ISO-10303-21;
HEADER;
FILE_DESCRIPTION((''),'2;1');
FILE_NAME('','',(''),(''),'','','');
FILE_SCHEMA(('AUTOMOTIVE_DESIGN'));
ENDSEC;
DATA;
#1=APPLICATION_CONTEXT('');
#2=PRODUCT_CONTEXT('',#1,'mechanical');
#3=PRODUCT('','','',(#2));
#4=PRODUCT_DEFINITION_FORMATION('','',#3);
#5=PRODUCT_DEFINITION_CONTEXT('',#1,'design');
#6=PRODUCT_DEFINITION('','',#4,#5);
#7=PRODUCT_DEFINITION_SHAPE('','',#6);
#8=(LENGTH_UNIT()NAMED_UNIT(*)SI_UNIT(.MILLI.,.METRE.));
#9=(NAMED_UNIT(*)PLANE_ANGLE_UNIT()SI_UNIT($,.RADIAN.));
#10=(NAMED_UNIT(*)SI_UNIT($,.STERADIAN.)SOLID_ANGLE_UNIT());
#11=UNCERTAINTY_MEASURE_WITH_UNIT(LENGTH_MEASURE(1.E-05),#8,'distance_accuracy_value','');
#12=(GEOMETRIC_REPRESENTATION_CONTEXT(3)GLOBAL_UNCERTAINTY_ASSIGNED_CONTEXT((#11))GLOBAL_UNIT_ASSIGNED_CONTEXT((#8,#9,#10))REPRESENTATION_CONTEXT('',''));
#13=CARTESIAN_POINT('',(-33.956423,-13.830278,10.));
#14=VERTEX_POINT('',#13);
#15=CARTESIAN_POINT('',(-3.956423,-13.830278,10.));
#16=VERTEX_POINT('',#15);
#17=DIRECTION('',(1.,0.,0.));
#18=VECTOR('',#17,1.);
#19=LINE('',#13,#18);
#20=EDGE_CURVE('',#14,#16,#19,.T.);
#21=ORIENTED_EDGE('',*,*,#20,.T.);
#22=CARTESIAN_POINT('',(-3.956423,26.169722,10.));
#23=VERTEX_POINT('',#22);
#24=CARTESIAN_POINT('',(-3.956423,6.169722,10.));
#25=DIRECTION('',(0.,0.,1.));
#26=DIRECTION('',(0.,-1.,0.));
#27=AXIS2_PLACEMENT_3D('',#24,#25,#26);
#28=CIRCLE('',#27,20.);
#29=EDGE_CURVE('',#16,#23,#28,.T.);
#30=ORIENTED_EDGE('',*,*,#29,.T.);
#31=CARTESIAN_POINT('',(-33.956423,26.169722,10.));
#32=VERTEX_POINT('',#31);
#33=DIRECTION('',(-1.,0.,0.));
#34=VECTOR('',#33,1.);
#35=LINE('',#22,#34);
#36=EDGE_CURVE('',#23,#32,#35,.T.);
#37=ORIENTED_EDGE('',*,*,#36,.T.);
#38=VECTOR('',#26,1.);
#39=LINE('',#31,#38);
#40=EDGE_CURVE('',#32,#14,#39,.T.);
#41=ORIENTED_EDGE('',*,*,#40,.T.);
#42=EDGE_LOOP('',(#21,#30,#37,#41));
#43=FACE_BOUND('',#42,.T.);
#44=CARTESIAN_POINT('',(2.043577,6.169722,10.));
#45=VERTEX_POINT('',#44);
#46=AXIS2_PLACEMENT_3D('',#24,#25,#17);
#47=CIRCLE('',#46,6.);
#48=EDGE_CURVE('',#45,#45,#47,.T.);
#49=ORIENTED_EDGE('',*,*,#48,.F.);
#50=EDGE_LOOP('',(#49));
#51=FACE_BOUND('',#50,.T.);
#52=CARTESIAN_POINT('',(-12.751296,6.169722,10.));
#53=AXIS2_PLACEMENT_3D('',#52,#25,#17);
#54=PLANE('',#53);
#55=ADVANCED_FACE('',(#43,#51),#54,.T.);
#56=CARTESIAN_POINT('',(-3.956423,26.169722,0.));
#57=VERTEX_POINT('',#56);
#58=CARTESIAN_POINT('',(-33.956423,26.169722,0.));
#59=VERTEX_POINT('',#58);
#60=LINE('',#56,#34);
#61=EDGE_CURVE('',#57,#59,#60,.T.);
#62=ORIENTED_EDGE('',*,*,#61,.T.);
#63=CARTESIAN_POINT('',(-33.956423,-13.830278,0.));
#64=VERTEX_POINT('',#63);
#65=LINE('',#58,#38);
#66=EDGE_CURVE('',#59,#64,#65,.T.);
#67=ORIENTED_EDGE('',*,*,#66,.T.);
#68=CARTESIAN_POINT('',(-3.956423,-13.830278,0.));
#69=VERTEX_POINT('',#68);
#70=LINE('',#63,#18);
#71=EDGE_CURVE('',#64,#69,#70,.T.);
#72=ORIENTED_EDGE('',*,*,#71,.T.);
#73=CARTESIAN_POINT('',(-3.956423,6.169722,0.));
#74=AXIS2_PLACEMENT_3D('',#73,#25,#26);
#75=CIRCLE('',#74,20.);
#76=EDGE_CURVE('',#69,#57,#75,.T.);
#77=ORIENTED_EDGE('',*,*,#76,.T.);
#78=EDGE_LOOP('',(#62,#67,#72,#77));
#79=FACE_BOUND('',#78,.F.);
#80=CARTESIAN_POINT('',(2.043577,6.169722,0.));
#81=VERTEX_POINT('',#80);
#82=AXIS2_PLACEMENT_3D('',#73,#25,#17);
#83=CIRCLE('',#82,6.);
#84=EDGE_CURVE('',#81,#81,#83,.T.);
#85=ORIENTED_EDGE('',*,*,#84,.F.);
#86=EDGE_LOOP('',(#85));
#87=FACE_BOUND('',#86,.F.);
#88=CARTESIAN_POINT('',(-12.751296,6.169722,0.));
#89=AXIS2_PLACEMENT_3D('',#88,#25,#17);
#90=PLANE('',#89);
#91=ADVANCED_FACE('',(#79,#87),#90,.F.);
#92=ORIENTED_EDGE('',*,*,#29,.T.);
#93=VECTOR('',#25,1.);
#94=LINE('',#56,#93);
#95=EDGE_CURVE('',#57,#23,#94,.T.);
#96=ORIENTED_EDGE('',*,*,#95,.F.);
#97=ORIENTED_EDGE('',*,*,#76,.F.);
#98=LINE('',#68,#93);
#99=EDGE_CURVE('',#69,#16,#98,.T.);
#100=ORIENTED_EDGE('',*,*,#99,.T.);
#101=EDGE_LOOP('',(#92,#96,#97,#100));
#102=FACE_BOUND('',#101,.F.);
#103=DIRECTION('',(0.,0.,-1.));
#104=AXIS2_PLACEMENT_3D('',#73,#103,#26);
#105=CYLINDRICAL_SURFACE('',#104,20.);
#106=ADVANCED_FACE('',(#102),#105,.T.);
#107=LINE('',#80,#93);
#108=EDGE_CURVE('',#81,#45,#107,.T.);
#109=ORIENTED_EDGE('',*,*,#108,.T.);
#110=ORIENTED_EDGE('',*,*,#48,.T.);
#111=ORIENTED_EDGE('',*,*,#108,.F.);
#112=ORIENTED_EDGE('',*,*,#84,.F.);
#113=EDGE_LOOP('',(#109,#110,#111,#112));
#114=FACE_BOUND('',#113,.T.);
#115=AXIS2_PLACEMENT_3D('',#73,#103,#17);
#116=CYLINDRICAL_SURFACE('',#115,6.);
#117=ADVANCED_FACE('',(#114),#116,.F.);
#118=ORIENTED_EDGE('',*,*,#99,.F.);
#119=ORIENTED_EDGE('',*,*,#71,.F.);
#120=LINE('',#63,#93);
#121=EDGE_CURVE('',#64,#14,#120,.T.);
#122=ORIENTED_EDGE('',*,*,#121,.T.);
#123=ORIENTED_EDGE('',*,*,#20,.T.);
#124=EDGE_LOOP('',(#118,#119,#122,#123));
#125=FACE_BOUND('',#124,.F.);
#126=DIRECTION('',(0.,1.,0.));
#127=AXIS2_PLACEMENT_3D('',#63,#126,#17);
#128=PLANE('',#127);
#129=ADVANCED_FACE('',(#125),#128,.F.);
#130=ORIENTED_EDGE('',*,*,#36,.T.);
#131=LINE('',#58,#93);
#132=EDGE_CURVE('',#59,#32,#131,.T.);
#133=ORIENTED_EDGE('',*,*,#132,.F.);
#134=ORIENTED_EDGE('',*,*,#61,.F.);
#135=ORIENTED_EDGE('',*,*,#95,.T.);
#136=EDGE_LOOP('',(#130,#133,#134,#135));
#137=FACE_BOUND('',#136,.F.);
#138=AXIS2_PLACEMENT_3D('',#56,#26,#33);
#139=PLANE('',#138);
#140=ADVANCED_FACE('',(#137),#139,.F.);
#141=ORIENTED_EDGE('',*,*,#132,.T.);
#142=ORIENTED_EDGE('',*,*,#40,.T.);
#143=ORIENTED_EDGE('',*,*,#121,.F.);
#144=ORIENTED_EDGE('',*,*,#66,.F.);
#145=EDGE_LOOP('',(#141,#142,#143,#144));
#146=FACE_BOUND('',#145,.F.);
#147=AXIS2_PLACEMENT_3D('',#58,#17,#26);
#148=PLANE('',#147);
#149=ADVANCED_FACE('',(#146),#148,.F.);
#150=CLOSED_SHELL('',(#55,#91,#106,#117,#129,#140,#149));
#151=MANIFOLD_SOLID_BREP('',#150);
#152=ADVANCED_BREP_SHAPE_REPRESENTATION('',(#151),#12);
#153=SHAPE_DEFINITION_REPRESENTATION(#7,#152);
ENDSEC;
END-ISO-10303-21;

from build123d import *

# Parameters (mm, degrees)
F0_R     = 6
F1_DEPTH = 10


with BuildPart() as f1:
    # F0 (on Top) → F1 (new body)
    with BuildSketch(Plane.XY):
        with BuildLine():
            Line((-3.956423, 26.169722), (-33.956423, 26.169722))
            Line((-33.956423, 26.169722), (-33.956423, -13.830278))
            Line((-33.956423, -13.830278), (-3.956423, -13.830278))
            ThreePointArc((-3.956423, -13.830278), (16.043577, 6.169722), (-3.956423, 26.169722))
        make_face()
        with Locations((-3.956423, 6.169722)):
            Circle(F0_R, mode=Mode.SUBTRACT)
    extrude(amount=F1_DEPTH)


solid = f1.part
